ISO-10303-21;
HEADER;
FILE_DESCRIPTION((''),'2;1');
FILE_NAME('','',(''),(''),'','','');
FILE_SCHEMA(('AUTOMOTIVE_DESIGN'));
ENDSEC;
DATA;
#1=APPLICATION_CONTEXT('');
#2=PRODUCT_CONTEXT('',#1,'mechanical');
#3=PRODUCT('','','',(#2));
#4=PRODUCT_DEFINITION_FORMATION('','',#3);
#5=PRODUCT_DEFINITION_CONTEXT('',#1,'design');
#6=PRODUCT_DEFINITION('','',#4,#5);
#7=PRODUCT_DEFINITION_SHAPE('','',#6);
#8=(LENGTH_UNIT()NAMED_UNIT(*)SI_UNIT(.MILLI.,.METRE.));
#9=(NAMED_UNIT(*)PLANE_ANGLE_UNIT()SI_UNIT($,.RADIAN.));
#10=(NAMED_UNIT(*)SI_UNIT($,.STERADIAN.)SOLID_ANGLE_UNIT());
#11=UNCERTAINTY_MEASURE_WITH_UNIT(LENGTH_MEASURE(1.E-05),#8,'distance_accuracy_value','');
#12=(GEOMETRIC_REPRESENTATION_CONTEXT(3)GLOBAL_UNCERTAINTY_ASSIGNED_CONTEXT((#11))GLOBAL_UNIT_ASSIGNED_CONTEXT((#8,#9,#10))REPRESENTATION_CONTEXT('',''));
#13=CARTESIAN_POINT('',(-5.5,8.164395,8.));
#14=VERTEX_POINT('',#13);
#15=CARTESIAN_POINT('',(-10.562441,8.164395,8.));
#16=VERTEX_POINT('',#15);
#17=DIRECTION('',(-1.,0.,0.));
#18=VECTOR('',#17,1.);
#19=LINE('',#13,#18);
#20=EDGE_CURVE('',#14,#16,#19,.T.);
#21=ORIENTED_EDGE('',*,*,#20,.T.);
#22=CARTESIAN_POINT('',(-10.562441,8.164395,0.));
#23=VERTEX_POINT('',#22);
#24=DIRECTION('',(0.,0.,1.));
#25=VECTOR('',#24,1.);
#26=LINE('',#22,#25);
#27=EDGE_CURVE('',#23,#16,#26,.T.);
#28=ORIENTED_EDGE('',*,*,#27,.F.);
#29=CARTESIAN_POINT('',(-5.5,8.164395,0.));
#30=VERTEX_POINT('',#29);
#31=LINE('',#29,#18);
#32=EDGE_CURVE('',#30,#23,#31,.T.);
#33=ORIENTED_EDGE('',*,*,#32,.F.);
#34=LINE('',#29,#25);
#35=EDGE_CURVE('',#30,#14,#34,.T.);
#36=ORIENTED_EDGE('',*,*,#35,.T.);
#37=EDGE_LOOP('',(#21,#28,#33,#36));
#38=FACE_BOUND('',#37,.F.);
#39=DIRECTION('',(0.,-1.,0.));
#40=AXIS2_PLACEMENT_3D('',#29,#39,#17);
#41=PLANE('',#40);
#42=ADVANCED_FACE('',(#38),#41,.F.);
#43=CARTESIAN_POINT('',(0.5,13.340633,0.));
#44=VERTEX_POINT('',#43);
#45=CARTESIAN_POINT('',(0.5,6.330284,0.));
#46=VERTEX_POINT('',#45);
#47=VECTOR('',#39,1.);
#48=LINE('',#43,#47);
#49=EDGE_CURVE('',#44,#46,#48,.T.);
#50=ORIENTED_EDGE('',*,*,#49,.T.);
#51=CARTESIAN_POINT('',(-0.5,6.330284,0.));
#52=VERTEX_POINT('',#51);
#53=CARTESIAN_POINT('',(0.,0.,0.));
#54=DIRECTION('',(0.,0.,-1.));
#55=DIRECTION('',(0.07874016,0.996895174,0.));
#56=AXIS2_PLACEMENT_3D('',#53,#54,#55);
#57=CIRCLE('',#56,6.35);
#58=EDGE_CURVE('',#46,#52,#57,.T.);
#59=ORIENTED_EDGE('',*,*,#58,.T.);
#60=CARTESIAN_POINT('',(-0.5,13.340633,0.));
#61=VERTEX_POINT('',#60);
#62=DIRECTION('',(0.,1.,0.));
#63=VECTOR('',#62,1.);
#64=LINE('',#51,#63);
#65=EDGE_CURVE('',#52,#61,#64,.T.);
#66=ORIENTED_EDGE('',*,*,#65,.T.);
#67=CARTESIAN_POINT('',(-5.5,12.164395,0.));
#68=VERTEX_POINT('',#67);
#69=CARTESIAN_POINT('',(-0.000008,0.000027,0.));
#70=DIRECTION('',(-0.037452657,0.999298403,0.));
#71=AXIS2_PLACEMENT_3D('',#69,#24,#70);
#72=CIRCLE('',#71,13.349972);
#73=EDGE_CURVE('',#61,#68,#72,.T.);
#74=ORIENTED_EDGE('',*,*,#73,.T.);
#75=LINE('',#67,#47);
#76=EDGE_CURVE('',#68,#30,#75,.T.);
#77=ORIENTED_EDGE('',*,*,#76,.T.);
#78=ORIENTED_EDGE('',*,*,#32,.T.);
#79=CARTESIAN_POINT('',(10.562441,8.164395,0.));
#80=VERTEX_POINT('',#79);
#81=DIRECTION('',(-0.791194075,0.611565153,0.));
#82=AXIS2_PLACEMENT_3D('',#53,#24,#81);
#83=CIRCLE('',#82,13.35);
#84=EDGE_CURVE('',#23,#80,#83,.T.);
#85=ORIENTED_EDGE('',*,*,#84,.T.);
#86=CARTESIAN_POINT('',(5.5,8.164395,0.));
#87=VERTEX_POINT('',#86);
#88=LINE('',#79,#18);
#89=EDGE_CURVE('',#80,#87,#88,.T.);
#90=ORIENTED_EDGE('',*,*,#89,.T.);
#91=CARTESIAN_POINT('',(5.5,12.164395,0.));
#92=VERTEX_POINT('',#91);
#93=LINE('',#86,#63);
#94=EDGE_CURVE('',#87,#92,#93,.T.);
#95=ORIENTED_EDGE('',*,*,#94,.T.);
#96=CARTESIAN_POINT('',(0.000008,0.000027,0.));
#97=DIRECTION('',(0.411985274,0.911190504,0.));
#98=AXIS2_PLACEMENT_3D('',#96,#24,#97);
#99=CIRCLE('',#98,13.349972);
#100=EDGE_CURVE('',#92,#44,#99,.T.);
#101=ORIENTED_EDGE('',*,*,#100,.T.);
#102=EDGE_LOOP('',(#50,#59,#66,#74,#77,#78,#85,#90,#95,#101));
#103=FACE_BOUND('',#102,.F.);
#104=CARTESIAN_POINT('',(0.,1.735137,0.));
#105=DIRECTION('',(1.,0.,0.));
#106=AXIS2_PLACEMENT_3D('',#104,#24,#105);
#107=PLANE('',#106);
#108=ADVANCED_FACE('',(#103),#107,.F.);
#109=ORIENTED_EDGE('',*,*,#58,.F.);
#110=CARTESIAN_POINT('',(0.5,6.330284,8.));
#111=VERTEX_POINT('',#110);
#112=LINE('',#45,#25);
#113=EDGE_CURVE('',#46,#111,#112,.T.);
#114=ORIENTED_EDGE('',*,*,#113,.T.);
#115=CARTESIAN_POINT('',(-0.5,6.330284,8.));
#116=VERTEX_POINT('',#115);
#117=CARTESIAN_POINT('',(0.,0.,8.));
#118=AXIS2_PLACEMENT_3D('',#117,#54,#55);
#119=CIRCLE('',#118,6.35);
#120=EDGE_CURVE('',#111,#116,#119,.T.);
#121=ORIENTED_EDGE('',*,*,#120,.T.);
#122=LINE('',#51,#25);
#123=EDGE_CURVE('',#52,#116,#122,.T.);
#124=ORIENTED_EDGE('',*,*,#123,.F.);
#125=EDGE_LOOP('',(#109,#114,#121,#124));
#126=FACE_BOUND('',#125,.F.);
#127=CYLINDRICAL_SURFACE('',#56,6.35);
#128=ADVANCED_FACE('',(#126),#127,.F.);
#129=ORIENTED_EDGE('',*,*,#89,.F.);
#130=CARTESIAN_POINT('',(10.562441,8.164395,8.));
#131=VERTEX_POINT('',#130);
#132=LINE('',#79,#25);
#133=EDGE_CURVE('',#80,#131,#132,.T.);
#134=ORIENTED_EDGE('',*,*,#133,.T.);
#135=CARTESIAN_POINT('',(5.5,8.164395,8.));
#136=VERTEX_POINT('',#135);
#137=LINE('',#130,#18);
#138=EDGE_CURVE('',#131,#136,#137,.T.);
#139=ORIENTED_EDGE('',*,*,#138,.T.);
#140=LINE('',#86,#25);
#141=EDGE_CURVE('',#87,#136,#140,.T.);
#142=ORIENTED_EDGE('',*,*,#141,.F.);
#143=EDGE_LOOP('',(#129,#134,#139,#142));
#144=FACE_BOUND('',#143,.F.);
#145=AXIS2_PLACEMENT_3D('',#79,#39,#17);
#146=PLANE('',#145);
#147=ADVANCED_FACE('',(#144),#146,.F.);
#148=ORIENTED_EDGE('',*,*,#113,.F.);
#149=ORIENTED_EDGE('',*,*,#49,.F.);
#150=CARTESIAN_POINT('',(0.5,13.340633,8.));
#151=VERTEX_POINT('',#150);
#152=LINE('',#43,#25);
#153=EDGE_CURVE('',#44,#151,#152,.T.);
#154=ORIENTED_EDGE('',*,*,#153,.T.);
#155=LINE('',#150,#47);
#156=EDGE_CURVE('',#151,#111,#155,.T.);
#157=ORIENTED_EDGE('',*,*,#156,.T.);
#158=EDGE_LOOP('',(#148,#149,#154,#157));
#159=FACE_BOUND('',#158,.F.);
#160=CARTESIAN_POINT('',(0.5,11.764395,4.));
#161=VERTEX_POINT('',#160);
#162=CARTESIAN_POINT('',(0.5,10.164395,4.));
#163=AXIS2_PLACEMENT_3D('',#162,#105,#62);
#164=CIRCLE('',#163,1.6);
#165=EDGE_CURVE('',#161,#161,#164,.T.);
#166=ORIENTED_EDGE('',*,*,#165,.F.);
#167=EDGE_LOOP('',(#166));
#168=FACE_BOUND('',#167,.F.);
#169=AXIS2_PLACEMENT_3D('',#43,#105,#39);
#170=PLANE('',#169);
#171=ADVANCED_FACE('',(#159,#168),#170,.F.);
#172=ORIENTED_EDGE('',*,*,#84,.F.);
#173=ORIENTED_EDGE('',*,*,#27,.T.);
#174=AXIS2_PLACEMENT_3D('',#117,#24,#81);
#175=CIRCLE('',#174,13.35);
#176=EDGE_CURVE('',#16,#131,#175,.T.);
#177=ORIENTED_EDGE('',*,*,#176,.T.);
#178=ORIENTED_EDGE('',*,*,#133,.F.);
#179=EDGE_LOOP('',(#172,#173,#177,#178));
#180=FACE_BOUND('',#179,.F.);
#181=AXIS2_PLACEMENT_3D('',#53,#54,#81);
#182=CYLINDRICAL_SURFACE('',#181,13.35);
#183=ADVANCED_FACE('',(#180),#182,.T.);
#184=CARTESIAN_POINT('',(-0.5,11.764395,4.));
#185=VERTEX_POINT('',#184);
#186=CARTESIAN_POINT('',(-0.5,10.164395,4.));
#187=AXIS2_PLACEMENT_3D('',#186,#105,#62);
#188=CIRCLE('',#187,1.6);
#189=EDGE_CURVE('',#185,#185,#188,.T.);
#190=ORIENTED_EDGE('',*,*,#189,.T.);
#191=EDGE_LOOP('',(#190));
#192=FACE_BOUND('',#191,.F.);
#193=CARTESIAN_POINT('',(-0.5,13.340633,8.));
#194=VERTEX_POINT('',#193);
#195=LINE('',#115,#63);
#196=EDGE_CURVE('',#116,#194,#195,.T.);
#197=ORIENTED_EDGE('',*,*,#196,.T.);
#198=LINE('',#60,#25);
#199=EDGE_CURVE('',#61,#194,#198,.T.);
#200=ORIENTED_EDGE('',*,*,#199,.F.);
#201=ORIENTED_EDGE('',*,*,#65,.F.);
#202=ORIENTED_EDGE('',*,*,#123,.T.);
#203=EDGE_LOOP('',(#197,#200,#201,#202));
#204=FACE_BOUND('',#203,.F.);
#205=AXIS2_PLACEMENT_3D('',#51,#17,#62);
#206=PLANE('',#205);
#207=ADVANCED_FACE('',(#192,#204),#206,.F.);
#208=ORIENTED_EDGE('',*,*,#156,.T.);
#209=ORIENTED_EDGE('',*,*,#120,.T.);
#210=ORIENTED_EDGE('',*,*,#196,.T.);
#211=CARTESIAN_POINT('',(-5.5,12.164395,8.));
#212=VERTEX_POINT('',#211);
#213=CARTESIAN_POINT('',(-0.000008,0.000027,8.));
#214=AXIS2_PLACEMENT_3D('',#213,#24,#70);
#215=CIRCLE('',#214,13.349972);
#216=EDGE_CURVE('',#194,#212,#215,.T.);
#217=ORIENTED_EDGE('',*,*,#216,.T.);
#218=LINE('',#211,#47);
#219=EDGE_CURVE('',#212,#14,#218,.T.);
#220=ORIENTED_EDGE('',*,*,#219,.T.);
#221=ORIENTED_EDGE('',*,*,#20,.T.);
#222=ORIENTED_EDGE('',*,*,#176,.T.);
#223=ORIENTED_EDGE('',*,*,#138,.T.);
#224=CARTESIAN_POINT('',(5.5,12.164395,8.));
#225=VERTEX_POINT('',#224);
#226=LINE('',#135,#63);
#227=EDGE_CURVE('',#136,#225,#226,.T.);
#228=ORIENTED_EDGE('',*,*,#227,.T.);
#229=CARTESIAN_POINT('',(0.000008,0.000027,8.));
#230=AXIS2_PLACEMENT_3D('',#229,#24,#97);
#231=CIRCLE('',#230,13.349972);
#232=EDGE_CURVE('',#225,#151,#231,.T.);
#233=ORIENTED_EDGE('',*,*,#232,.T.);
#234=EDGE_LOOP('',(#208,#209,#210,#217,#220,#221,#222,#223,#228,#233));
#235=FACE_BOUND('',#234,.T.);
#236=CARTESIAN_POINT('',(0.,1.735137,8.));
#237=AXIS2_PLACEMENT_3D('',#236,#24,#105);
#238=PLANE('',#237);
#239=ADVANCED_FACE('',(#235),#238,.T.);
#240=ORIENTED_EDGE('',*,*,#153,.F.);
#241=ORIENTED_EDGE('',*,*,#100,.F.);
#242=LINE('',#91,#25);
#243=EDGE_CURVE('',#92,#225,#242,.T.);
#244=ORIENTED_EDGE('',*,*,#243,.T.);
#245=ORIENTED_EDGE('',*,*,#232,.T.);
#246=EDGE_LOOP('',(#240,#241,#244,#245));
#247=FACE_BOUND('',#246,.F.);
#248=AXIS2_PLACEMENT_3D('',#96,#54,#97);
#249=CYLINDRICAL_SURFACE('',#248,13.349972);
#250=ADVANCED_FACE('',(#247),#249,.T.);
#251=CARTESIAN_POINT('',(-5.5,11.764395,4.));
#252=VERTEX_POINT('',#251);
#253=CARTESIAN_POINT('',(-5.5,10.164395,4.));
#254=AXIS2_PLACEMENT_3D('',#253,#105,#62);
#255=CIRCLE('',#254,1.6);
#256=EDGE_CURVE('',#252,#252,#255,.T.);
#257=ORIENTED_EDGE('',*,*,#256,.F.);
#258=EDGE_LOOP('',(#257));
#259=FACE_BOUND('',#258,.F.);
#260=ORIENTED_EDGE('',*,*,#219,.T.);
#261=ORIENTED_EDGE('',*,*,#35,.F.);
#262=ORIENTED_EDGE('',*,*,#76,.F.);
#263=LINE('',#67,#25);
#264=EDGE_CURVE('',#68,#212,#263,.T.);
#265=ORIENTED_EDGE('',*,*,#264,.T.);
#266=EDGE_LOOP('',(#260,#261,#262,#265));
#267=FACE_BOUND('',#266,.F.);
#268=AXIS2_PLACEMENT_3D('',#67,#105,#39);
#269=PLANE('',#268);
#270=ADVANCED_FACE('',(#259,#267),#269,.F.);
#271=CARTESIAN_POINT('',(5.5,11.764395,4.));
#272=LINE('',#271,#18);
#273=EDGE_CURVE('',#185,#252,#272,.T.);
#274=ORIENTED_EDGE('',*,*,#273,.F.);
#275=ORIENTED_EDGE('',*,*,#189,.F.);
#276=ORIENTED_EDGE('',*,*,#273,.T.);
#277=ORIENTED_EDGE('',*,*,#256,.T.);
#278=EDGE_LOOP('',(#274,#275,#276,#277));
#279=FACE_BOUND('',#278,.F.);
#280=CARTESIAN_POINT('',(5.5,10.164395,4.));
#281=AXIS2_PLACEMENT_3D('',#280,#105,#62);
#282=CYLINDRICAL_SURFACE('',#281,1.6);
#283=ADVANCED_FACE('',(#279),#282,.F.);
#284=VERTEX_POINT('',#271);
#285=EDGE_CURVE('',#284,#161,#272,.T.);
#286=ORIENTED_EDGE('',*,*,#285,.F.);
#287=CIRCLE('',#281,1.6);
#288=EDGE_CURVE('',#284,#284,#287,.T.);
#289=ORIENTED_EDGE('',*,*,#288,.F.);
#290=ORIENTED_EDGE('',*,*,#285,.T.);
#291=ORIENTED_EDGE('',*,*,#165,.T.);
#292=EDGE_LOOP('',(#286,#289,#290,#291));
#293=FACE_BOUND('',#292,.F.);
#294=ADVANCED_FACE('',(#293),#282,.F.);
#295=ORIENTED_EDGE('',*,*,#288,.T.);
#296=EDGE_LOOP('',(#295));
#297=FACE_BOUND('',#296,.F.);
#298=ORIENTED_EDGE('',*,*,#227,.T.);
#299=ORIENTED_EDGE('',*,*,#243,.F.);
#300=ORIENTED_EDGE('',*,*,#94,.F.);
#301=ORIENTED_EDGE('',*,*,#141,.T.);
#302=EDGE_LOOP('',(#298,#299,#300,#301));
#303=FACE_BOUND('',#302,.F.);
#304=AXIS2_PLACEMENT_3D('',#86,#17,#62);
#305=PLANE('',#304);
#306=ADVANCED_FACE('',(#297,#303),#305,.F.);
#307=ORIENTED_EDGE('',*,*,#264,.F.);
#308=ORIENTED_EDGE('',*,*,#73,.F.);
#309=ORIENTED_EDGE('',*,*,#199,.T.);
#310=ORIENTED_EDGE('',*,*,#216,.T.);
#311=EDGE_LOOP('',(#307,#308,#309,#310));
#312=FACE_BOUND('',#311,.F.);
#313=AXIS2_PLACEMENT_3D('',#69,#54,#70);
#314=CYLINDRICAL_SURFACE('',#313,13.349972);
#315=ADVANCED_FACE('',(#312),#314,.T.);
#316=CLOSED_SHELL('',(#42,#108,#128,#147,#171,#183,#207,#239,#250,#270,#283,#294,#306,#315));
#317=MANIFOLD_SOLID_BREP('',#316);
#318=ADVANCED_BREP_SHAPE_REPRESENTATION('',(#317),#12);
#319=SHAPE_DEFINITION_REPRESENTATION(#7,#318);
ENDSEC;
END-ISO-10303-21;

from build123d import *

# Parameters (mm, degrees)
F1_DEPTH = 8
F2_R     = 1.6
F3_DEPTH = 25.4


with BuildPart() as f1:
    # F0 (on Top) → F1 (new body)
    with BuildSketch(Plane.XY):
        with BuildLine():
            ThreePointArc((0.5, 6.330284), (0, -6.35), (-0.5, 6.330284))
            Line((-0.5, 6.330284), (-0.5, 13.340633))
            ThreePointArc((-0.5, 13.340633), (-3.057104, 12.995254), (-5.5, 12.164395))
            Line((-5.5, 12.164395), (-5.5, 8.164395))
            Line((-5.5, 8.164395), (-10.562441, 8.164395))
            ThreePointArc((-10.562441, 8.164395), (0, -13.35), (10.562441, 8.164395))
            Line((10.562441, 8.164395), (5.5, 8.164395))
            Line((5.5, 8.164395), (5.5, 12.164395))
            ThreePointArc((5.5, 12.164395), (3.057104, 12.995254), (0.5, 13.340633))
            Line((0.5, 13.340633), (0.5, 6.330284))
        make_face()
    extrude(amount=F1_DEPTH)

    # F2 (on face) → F3 (cut)
    with BuildSketch(Plane.YZ.offset(5.5)):
        with Locations((10.164395, 4)):
            Circle(F2_R)
    extrude(amount=-F3_DEPTH, mode=Mode.SUBTRACT)


solid = f1.part
